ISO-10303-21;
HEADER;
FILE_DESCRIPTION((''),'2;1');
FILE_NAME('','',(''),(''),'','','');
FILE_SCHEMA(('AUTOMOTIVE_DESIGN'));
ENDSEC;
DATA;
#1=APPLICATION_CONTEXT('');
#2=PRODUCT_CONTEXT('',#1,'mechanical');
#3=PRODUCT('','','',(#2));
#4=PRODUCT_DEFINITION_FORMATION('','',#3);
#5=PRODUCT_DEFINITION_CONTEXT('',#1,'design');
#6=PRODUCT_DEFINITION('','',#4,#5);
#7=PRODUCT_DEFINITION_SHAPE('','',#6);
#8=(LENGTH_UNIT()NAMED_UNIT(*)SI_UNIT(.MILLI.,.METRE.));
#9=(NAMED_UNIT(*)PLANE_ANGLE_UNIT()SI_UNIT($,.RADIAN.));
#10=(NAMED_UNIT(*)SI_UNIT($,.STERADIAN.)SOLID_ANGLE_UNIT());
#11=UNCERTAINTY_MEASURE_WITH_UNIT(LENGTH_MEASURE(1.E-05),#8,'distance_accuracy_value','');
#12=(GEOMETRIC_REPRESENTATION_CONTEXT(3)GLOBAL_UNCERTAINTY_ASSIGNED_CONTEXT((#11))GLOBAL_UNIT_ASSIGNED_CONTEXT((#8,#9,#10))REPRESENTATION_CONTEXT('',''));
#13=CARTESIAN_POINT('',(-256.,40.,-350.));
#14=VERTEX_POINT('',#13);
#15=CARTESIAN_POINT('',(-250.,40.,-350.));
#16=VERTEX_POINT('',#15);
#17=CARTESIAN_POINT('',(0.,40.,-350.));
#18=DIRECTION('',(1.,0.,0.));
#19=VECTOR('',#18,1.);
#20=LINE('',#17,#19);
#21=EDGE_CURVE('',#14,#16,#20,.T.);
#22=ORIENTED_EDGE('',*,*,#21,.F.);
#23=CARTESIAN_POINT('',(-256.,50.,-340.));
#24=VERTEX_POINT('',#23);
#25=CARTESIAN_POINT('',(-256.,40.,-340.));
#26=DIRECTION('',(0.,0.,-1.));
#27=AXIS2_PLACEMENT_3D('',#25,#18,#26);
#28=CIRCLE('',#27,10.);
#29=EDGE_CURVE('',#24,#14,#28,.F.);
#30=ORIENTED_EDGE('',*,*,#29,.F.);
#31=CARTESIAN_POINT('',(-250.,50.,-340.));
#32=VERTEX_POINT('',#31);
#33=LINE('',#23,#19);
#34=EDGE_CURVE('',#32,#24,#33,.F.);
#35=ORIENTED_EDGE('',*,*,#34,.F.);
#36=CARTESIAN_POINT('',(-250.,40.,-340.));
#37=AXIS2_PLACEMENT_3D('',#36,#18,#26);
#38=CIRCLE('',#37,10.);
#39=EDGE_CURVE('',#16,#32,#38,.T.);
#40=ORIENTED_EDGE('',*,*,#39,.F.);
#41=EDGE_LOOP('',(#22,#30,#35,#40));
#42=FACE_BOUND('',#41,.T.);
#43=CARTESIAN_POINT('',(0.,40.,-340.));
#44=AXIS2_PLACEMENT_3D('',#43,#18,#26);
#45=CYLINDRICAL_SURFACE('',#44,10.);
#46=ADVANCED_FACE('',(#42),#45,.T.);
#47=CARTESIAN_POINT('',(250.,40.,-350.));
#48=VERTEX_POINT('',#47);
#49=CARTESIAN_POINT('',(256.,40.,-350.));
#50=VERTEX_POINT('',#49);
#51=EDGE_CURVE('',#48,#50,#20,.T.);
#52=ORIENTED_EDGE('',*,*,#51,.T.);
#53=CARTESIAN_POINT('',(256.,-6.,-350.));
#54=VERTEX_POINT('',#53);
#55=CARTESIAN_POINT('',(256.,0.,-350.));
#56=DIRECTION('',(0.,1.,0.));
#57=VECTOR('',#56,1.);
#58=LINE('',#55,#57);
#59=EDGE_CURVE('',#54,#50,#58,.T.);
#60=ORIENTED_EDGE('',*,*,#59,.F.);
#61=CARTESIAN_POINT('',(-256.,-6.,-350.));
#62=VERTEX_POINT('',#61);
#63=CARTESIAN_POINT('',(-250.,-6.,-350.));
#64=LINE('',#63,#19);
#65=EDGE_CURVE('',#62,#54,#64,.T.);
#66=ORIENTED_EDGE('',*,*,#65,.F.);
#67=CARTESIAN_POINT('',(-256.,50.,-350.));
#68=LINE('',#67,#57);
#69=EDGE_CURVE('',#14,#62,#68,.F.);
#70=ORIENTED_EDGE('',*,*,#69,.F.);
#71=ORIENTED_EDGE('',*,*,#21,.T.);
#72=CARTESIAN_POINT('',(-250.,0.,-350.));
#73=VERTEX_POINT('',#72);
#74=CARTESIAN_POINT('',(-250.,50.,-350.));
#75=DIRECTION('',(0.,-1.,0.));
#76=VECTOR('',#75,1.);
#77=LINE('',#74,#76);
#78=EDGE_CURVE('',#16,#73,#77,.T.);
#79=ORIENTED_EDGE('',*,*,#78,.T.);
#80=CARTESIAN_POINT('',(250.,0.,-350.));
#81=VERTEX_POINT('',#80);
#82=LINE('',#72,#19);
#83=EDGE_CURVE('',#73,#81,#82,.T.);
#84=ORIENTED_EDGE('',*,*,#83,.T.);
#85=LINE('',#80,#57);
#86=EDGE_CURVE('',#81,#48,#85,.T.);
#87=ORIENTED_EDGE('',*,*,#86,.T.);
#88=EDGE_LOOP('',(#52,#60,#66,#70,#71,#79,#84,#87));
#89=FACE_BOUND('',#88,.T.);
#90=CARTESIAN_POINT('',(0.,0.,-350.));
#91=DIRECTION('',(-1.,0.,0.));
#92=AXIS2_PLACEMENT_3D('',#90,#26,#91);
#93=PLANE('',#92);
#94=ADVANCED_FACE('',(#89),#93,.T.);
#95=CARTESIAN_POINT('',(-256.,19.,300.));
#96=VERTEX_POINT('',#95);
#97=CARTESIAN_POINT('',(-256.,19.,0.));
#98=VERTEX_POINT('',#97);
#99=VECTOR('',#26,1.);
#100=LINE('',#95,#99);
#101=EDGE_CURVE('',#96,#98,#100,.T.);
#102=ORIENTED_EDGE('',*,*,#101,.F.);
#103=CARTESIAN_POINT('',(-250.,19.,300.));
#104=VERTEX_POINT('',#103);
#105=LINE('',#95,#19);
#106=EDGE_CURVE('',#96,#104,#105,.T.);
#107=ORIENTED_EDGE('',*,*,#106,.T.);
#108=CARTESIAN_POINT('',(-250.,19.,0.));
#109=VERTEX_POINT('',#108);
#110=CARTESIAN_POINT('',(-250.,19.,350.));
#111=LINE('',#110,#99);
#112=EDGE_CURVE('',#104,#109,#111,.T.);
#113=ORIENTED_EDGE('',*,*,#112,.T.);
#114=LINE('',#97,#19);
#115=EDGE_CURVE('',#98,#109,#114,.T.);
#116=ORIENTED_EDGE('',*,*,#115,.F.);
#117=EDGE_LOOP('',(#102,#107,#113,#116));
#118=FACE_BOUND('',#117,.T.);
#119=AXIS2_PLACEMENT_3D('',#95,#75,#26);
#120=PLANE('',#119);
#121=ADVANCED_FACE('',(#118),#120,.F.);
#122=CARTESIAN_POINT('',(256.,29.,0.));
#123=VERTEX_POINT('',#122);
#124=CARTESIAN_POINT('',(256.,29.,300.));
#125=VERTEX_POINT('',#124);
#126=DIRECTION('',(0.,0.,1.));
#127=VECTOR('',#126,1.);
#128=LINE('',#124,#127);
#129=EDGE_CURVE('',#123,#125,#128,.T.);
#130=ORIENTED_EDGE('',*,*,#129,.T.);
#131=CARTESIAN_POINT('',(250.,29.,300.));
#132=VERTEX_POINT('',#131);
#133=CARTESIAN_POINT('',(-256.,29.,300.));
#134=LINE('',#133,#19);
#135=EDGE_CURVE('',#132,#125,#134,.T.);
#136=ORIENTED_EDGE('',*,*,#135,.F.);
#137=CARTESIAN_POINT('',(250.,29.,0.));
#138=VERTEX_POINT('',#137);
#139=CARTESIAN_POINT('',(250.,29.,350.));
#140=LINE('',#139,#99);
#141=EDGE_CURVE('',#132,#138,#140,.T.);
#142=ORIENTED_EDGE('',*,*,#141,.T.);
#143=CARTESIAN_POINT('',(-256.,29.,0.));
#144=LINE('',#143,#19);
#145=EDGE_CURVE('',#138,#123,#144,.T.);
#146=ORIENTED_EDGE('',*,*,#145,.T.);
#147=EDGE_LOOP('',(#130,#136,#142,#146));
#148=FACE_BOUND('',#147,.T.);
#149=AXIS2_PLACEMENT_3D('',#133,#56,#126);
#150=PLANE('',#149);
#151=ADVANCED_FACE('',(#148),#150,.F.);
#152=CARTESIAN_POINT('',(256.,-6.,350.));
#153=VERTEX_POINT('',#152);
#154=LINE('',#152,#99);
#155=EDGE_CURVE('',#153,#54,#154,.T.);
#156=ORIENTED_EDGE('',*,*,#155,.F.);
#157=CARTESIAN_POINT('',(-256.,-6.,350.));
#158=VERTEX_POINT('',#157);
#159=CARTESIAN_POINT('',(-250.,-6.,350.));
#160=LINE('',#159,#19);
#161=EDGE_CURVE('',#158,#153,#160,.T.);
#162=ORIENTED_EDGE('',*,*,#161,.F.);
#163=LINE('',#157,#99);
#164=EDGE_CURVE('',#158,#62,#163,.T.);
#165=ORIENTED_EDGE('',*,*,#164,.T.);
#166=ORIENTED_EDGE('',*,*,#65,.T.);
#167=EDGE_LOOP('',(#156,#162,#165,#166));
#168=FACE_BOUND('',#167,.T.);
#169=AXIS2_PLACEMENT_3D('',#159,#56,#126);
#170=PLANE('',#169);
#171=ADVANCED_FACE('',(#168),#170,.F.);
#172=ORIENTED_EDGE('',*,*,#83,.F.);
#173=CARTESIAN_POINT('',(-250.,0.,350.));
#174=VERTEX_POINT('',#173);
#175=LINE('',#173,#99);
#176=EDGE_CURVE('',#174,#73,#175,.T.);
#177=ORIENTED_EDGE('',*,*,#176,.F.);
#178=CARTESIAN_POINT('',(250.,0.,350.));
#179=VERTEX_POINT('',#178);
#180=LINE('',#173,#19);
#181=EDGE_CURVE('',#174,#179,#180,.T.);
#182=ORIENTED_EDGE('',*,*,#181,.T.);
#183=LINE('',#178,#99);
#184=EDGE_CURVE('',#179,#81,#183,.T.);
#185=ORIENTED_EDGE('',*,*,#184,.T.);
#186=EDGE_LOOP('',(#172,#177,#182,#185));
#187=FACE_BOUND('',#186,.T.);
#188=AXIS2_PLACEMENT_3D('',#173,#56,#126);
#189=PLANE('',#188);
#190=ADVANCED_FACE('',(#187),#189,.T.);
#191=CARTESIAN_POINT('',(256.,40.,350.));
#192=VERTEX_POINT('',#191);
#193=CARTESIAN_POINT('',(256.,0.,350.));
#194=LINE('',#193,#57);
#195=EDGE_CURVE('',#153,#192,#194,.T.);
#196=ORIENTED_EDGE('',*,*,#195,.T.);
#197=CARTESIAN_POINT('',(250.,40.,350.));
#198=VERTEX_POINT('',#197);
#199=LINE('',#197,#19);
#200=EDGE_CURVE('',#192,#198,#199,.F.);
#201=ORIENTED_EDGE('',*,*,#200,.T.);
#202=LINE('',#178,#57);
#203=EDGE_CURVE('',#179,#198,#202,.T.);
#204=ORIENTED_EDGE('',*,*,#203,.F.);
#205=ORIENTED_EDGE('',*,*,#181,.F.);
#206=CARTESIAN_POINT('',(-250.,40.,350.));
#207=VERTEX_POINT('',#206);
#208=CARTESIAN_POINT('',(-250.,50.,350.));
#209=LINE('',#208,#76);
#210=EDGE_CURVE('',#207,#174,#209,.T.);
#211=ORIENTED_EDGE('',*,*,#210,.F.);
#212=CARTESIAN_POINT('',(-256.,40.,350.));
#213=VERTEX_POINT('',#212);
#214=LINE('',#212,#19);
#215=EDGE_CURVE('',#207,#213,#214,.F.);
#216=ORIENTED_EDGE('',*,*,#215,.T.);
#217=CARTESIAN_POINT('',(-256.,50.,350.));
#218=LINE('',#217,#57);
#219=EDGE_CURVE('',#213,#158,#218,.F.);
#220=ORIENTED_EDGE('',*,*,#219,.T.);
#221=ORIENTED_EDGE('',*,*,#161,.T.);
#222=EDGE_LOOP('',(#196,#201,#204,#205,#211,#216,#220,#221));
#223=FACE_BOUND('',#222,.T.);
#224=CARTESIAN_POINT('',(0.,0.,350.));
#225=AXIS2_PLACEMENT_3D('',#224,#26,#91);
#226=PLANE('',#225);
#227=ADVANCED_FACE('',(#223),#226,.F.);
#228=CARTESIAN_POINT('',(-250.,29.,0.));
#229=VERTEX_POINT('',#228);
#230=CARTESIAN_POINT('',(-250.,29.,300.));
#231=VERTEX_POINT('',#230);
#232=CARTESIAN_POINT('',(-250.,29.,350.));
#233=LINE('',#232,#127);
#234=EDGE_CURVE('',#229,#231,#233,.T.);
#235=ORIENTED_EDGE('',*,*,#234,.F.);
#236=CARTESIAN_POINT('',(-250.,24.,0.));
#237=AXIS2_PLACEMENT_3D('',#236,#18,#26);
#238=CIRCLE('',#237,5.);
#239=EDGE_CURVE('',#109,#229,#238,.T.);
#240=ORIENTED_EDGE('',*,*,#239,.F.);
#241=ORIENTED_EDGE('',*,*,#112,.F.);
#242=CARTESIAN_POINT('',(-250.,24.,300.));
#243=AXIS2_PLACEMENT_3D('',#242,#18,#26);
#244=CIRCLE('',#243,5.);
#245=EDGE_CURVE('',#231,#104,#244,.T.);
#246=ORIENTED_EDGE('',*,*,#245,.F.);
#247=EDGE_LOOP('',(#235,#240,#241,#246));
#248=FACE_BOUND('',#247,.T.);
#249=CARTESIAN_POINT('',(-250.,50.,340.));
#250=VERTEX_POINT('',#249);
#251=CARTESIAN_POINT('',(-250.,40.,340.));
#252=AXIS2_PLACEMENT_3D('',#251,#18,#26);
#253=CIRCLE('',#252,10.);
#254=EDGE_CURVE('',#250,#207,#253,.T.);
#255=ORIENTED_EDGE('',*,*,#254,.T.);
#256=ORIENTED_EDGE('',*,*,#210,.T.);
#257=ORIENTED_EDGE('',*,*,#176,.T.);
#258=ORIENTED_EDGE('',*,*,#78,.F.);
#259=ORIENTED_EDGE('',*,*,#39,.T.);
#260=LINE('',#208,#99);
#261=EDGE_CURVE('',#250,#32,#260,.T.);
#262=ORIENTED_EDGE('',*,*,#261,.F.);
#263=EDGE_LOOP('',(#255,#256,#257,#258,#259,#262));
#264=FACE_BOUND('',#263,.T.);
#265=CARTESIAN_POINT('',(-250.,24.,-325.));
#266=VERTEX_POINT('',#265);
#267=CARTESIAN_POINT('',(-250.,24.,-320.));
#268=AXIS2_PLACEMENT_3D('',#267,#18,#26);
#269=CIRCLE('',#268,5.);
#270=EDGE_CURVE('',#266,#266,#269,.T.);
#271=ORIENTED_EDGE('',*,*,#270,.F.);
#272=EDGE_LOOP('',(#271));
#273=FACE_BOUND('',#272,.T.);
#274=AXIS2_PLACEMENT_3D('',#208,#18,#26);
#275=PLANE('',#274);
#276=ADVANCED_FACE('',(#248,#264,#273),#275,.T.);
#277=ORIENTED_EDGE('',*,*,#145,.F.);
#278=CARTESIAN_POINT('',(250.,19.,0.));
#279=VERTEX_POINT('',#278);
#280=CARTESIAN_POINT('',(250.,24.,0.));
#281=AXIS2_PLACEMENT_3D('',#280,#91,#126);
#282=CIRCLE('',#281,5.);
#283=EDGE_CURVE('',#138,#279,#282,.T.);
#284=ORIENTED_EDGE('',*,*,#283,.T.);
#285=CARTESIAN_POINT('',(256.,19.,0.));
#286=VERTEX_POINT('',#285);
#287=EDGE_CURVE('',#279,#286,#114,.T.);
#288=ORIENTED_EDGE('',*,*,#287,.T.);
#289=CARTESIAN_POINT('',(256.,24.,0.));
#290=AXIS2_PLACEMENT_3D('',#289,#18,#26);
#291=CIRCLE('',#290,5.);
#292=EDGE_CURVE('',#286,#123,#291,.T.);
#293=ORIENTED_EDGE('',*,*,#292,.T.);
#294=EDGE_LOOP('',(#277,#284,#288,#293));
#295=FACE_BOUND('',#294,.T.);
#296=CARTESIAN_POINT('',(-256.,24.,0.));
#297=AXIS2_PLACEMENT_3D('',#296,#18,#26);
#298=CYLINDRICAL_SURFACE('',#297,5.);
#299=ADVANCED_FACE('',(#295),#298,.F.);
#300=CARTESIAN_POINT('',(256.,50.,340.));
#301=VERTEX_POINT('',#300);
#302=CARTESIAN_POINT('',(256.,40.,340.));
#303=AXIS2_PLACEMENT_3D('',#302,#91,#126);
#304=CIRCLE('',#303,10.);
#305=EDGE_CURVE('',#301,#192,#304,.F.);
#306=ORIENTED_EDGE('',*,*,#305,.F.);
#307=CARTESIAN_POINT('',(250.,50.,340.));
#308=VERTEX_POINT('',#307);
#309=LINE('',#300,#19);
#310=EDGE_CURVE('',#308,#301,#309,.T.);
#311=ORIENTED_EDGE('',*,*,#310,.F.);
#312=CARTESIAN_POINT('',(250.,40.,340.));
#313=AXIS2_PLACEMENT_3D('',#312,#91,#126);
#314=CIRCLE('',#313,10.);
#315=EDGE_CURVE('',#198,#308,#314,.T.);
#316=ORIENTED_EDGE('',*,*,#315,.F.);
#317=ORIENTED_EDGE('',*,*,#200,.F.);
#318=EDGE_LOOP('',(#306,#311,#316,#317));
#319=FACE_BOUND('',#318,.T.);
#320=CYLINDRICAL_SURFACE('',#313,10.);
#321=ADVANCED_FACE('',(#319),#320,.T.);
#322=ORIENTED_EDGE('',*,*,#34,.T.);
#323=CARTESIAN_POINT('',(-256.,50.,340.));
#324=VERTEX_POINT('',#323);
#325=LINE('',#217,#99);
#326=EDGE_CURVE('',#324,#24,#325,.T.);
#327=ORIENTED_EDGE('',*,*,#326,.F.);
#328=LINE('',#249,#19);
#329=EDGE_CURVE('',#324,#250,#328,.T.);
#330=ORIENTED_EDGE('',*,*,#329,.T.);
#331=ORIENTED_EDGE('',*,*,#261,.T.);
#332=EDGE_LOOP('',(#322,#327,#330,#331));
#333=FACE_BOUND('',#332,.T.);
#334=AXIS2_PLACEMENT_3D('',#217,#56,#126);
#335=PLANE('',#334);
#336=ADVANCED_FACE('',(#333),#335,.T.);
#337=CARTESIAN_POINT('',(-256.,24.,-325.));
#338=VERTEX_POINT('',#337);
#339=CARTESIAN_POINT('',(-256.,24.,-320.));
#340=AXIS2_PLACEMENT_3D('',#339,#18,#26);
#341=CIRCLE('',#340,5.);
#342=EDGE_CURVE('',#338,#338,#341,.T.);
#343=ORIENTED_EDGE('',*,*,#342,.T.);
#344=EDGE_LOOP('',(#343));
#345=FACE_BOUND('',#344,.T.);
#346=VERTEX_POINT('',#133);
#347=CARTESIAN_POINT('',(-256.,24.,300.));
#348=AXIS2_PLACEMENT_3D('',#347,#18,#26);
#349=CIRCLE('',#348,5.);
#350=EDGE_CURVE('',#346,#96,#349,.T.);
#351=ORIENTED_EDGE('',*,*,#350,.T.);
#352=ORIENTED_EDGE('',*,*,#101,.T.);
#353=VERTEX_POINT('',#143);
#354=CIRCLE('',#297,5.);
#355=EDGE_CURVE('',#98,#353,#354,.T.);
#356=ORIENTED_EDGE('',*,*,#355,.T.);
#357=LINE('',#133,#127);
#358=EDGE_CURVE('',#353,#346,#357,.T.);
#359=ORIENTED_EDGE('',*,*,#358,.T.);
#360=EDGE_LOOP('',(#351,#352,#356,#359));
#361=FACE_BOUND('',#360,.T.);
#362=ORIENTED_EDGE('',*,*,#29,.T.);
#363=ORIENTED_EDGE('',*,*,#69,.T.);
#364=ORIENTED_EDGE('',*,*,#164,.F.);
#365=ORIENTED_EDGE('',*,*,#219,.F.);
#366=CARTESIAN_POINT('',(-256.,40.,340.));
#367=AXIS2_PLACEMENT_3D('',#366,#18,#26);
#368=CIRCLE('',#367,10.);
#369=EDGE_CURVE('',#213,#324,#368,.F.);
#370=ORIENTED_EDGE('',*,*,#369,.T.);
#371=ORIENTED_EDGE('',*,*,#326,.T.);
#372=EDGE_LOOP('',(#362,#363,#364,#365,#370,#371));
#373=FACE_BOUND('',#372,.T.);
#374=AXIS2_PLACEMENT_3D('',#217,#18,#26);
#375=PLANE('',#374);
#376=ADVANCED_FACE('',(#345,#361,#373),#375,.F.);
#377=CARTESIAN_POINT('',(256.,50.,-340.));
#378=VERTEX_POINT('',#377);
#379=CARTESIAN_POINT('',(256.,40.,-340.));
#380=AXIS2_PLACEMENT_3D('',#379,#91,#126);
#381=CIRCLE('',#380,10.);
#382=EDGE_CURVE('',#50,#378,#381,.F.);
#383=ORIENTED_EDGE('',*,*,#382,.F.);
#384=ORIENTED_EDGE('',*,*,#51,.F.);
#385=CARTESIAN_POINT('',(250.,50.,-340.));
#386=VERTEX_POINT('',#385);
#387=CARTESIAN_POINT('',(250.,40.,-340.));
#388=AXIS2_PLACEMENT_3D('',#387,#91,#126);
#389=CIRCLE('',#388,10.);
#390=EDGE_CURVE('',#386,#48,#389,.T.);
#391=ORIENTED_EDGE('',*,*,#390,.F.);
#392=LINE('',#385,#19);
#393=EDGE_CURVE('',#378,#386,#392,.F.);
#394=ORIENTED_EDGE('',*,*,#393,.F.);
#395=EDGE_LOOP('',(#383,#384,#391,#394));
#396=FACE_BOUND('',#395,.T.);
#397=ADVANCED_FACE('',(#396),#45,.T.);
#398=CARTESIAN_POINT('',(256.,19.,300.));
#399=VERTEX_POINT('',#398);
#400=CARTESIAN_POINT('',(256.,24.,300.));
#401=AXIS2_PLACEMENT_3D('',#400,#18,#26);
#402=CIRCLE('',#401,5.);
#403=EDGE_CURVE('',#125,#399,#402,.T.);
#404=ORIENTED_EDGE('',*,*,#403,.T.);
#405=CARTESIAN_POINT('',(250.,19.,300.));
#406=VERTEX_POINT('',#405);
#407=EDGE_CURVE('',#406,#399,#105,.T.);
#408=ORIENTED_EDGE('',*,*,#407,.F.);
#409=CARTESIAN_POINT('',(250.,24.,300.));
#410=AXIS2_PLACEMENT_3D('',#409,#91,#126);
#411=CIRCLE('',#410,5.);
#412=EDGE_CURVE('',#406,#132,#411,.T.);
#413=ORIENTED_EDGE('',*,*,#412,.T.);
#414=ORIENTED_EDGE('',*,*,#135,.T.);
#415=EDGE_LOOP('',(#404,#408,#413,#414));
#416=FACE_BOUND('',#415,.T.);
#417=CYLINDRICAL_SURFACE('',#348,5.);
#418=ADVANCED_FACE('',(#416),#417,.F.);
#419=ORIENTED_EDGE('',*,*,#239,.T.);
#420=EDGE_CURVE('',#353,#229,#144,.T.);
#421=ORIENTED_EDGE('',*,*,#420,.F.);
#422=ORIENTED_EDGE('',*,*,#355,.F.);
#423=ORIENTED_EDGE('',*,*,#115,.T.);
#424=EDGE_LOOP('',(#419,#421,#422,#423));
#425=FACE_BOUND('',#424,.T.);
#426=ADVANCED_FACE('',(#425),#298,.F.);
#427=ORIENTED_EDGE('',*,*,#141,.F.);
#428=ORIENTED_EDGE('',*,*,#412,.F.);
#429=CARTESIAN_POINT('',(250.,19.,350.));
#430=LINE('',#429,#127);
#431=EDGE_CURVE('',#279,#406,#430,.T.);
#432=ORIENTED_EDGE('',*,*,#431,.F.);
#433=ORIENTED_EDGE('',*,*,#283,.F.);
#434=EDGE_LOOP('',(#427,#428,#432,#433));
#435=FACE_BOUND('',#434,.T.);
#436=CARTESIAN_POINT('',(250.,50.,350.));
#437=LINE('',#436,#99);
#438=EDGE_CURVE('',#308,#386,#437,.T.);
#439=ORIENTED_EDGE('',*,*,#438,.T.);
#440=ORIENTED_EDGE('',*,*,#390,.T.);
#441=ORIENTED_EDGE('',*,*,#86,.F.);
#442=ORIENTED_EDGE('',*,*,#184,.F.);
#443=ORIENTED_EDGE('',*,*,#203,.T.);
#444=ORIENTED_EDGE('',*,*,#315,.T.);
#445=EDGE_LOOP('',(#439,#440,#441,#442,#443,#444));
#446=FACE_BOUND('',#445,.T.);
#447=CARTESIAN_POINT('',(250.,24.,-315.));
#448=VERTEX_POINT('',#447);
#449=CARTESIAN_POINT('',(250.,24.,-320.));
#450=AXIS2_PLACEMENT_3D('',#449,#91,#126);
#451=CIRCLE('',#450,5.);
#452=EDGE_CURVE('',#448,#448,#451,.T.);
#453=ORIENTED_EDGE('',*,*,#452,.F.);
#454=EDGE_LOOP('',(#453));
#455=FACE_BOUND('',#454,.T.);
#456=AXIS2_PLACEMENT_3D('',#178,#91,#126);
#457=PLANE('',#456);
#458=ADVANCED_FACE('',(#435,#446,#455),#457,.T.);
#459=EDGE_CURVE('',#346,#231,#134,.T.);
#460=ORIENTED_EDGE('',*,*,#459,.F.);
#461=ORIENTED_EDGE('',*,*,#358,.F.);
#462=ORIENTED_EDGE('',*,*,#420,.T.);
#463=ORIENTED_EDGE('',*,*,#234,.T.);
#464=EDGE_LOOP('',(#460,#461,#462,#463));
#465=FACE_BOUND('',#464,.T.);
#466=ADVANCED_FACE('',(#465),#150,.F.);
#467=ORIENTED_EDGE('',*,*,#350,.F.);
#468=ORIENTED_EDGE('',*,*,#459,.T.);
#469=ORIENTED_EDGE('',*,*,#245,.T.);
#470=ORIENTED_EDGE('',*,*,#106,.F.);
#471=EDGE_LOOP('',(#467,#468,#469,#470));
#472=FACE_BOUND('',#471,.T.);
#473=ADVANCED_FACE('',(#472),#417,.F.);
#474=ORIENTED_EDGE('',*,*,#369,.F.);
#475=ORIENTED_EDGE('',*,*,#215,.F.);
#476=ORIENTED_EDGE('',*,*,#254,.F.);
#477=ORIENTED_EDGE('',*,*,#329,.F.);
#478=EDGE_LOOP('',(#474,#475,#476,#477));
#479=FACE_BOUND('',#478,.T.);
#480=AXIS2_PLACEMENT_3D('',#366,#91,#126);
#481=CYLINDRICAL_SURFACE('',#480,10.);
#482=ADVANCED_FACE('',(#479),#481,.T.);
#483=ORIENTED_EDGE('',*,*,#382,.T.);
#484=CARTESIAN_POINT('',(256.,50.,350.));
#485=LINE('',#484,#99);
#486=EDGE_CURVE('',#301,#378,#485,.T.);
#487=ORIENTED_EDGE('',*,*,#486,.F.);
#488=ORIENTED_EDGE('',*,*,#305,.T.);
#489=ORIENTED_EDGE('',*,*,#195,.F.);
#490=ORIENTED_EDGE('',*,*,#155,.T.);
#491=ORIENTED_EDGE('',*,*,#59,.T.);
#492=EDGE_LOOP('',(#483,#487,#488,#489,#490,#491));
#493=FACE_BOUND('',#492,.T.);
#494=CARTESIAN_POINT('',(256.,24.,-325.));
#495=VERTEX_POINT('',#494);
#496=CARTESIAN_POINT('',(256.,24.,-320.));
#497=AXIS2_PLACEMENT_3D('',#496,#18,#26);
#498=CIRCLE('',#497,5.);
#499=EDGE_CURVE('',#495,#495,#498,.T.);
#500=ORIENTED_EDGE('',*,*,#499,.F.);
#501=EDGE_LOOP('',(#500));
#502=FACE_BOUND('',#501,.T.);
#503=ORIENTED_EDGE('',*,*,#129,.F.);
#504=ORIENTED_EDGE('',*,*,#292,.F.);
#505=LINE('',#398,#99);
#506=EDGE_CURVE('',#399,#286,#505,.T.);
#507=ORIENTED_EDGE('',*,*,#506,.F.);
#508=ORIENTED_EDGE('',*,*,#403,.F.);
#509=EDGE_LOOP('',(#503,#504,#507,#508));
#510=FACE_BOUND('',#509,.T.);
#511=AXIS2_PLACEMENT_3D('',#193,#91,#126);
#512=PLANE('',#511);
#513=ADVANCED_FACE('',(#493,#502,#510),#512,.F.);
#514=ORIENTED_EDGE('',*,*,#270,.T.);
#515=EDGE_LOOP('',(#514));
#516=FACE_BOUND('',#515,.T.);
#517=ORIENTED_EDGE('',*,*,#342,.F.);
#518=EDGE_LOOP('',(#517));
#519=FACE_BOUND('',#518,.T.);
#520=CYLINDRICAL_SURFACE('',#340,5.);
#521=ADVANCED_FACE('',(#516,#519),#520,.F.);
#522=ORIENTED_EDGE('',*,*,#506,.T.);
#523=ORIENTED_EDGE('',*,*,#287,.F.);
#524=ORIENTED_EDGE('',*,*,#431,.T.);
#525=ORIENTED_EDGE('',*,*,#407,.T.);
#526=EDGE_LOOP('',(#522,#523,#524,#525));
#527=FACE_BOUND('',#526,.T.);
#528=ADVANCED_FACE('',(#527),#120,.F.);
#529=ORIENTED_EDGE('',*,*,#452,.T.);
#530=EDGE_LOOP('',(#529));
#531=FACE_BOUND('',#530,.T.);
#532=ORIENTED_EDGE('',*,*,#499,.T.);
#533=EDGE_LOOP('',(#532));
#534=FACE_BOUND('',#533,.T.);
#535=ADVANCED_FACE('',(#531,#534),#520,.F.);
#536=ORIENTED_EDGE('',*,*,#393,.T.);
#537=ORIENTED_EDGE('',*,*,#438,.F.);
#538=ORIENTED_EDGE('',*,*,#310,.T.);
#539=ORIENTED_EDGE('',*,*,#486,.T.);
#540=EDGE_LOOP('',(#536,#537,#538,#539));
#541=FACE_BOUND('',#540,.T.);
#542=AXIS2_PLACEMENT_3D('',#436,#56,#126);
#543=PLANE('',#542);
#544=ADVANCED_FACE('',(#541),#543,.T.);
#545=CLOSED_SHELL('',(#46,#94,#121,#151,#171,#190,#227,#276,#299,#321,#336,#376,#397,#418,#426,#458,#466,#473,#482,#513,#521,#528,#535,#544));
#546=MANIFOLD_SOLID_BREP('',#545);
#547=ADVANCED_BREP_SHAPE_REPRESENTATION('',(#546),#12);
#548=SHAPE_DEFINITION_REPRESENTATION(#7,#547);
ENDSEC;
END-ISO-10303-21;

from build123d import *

# Parameters (mm, degrees)
EXTRUDE_THIN1_DEPTH = 350
SKETCH2_R           = 5
CUT_EXTRUDE1_DEPTH  = 623.208968113
FILLET1_R           = 10


with BuildPart() as part:
    # Sketch1 → Extrude-Thin1 (new, symmetric)
    with BuildSketch(Plane.XY):
        Polygon((-250, 50), (-250, 0), (250, 0), (250, 50), (256, 50), (256, -6), (-256, -6), (-256, 50), align=None)
    extrude(amount=EXTRUDE_THIN1_DEPTH, both=True)

    # Sketch2 → Cut-Extrude1 (cut, through all)
    with BuildSketch(Plane(origin=(256, 0, 0), x_dir=(0, 0, -1), z_dir=(1, 0, 0))):
        with Locations((320, 24)):
            Circle(SKETCH2_R)
        with BuildLine():
            Line((-300, 29), (0, 29))
            ThreePointArc((0, 29), (5, 24), (0, 19))
            Line((0, 19), (-300, 19))
            ThreePointArc((-300, 19), (-305, 24), (-300, 29))
        make_face()
    extrude(amount=-CUT_EXTRUDE1_DEPTH, mode=Mode.SUBTRACT)

    # Fillet1
    fillet1_edges = [part.edges().sort_by_distance(p)[0] for p in [
        (-253, 50, 350),
        (253, 50, 350),
        (-253, 50, -350),
        (253, 50, -350),
    ]]
    fillet(fillet1_edges, radius=FILLET1_R)


solid = part.part
